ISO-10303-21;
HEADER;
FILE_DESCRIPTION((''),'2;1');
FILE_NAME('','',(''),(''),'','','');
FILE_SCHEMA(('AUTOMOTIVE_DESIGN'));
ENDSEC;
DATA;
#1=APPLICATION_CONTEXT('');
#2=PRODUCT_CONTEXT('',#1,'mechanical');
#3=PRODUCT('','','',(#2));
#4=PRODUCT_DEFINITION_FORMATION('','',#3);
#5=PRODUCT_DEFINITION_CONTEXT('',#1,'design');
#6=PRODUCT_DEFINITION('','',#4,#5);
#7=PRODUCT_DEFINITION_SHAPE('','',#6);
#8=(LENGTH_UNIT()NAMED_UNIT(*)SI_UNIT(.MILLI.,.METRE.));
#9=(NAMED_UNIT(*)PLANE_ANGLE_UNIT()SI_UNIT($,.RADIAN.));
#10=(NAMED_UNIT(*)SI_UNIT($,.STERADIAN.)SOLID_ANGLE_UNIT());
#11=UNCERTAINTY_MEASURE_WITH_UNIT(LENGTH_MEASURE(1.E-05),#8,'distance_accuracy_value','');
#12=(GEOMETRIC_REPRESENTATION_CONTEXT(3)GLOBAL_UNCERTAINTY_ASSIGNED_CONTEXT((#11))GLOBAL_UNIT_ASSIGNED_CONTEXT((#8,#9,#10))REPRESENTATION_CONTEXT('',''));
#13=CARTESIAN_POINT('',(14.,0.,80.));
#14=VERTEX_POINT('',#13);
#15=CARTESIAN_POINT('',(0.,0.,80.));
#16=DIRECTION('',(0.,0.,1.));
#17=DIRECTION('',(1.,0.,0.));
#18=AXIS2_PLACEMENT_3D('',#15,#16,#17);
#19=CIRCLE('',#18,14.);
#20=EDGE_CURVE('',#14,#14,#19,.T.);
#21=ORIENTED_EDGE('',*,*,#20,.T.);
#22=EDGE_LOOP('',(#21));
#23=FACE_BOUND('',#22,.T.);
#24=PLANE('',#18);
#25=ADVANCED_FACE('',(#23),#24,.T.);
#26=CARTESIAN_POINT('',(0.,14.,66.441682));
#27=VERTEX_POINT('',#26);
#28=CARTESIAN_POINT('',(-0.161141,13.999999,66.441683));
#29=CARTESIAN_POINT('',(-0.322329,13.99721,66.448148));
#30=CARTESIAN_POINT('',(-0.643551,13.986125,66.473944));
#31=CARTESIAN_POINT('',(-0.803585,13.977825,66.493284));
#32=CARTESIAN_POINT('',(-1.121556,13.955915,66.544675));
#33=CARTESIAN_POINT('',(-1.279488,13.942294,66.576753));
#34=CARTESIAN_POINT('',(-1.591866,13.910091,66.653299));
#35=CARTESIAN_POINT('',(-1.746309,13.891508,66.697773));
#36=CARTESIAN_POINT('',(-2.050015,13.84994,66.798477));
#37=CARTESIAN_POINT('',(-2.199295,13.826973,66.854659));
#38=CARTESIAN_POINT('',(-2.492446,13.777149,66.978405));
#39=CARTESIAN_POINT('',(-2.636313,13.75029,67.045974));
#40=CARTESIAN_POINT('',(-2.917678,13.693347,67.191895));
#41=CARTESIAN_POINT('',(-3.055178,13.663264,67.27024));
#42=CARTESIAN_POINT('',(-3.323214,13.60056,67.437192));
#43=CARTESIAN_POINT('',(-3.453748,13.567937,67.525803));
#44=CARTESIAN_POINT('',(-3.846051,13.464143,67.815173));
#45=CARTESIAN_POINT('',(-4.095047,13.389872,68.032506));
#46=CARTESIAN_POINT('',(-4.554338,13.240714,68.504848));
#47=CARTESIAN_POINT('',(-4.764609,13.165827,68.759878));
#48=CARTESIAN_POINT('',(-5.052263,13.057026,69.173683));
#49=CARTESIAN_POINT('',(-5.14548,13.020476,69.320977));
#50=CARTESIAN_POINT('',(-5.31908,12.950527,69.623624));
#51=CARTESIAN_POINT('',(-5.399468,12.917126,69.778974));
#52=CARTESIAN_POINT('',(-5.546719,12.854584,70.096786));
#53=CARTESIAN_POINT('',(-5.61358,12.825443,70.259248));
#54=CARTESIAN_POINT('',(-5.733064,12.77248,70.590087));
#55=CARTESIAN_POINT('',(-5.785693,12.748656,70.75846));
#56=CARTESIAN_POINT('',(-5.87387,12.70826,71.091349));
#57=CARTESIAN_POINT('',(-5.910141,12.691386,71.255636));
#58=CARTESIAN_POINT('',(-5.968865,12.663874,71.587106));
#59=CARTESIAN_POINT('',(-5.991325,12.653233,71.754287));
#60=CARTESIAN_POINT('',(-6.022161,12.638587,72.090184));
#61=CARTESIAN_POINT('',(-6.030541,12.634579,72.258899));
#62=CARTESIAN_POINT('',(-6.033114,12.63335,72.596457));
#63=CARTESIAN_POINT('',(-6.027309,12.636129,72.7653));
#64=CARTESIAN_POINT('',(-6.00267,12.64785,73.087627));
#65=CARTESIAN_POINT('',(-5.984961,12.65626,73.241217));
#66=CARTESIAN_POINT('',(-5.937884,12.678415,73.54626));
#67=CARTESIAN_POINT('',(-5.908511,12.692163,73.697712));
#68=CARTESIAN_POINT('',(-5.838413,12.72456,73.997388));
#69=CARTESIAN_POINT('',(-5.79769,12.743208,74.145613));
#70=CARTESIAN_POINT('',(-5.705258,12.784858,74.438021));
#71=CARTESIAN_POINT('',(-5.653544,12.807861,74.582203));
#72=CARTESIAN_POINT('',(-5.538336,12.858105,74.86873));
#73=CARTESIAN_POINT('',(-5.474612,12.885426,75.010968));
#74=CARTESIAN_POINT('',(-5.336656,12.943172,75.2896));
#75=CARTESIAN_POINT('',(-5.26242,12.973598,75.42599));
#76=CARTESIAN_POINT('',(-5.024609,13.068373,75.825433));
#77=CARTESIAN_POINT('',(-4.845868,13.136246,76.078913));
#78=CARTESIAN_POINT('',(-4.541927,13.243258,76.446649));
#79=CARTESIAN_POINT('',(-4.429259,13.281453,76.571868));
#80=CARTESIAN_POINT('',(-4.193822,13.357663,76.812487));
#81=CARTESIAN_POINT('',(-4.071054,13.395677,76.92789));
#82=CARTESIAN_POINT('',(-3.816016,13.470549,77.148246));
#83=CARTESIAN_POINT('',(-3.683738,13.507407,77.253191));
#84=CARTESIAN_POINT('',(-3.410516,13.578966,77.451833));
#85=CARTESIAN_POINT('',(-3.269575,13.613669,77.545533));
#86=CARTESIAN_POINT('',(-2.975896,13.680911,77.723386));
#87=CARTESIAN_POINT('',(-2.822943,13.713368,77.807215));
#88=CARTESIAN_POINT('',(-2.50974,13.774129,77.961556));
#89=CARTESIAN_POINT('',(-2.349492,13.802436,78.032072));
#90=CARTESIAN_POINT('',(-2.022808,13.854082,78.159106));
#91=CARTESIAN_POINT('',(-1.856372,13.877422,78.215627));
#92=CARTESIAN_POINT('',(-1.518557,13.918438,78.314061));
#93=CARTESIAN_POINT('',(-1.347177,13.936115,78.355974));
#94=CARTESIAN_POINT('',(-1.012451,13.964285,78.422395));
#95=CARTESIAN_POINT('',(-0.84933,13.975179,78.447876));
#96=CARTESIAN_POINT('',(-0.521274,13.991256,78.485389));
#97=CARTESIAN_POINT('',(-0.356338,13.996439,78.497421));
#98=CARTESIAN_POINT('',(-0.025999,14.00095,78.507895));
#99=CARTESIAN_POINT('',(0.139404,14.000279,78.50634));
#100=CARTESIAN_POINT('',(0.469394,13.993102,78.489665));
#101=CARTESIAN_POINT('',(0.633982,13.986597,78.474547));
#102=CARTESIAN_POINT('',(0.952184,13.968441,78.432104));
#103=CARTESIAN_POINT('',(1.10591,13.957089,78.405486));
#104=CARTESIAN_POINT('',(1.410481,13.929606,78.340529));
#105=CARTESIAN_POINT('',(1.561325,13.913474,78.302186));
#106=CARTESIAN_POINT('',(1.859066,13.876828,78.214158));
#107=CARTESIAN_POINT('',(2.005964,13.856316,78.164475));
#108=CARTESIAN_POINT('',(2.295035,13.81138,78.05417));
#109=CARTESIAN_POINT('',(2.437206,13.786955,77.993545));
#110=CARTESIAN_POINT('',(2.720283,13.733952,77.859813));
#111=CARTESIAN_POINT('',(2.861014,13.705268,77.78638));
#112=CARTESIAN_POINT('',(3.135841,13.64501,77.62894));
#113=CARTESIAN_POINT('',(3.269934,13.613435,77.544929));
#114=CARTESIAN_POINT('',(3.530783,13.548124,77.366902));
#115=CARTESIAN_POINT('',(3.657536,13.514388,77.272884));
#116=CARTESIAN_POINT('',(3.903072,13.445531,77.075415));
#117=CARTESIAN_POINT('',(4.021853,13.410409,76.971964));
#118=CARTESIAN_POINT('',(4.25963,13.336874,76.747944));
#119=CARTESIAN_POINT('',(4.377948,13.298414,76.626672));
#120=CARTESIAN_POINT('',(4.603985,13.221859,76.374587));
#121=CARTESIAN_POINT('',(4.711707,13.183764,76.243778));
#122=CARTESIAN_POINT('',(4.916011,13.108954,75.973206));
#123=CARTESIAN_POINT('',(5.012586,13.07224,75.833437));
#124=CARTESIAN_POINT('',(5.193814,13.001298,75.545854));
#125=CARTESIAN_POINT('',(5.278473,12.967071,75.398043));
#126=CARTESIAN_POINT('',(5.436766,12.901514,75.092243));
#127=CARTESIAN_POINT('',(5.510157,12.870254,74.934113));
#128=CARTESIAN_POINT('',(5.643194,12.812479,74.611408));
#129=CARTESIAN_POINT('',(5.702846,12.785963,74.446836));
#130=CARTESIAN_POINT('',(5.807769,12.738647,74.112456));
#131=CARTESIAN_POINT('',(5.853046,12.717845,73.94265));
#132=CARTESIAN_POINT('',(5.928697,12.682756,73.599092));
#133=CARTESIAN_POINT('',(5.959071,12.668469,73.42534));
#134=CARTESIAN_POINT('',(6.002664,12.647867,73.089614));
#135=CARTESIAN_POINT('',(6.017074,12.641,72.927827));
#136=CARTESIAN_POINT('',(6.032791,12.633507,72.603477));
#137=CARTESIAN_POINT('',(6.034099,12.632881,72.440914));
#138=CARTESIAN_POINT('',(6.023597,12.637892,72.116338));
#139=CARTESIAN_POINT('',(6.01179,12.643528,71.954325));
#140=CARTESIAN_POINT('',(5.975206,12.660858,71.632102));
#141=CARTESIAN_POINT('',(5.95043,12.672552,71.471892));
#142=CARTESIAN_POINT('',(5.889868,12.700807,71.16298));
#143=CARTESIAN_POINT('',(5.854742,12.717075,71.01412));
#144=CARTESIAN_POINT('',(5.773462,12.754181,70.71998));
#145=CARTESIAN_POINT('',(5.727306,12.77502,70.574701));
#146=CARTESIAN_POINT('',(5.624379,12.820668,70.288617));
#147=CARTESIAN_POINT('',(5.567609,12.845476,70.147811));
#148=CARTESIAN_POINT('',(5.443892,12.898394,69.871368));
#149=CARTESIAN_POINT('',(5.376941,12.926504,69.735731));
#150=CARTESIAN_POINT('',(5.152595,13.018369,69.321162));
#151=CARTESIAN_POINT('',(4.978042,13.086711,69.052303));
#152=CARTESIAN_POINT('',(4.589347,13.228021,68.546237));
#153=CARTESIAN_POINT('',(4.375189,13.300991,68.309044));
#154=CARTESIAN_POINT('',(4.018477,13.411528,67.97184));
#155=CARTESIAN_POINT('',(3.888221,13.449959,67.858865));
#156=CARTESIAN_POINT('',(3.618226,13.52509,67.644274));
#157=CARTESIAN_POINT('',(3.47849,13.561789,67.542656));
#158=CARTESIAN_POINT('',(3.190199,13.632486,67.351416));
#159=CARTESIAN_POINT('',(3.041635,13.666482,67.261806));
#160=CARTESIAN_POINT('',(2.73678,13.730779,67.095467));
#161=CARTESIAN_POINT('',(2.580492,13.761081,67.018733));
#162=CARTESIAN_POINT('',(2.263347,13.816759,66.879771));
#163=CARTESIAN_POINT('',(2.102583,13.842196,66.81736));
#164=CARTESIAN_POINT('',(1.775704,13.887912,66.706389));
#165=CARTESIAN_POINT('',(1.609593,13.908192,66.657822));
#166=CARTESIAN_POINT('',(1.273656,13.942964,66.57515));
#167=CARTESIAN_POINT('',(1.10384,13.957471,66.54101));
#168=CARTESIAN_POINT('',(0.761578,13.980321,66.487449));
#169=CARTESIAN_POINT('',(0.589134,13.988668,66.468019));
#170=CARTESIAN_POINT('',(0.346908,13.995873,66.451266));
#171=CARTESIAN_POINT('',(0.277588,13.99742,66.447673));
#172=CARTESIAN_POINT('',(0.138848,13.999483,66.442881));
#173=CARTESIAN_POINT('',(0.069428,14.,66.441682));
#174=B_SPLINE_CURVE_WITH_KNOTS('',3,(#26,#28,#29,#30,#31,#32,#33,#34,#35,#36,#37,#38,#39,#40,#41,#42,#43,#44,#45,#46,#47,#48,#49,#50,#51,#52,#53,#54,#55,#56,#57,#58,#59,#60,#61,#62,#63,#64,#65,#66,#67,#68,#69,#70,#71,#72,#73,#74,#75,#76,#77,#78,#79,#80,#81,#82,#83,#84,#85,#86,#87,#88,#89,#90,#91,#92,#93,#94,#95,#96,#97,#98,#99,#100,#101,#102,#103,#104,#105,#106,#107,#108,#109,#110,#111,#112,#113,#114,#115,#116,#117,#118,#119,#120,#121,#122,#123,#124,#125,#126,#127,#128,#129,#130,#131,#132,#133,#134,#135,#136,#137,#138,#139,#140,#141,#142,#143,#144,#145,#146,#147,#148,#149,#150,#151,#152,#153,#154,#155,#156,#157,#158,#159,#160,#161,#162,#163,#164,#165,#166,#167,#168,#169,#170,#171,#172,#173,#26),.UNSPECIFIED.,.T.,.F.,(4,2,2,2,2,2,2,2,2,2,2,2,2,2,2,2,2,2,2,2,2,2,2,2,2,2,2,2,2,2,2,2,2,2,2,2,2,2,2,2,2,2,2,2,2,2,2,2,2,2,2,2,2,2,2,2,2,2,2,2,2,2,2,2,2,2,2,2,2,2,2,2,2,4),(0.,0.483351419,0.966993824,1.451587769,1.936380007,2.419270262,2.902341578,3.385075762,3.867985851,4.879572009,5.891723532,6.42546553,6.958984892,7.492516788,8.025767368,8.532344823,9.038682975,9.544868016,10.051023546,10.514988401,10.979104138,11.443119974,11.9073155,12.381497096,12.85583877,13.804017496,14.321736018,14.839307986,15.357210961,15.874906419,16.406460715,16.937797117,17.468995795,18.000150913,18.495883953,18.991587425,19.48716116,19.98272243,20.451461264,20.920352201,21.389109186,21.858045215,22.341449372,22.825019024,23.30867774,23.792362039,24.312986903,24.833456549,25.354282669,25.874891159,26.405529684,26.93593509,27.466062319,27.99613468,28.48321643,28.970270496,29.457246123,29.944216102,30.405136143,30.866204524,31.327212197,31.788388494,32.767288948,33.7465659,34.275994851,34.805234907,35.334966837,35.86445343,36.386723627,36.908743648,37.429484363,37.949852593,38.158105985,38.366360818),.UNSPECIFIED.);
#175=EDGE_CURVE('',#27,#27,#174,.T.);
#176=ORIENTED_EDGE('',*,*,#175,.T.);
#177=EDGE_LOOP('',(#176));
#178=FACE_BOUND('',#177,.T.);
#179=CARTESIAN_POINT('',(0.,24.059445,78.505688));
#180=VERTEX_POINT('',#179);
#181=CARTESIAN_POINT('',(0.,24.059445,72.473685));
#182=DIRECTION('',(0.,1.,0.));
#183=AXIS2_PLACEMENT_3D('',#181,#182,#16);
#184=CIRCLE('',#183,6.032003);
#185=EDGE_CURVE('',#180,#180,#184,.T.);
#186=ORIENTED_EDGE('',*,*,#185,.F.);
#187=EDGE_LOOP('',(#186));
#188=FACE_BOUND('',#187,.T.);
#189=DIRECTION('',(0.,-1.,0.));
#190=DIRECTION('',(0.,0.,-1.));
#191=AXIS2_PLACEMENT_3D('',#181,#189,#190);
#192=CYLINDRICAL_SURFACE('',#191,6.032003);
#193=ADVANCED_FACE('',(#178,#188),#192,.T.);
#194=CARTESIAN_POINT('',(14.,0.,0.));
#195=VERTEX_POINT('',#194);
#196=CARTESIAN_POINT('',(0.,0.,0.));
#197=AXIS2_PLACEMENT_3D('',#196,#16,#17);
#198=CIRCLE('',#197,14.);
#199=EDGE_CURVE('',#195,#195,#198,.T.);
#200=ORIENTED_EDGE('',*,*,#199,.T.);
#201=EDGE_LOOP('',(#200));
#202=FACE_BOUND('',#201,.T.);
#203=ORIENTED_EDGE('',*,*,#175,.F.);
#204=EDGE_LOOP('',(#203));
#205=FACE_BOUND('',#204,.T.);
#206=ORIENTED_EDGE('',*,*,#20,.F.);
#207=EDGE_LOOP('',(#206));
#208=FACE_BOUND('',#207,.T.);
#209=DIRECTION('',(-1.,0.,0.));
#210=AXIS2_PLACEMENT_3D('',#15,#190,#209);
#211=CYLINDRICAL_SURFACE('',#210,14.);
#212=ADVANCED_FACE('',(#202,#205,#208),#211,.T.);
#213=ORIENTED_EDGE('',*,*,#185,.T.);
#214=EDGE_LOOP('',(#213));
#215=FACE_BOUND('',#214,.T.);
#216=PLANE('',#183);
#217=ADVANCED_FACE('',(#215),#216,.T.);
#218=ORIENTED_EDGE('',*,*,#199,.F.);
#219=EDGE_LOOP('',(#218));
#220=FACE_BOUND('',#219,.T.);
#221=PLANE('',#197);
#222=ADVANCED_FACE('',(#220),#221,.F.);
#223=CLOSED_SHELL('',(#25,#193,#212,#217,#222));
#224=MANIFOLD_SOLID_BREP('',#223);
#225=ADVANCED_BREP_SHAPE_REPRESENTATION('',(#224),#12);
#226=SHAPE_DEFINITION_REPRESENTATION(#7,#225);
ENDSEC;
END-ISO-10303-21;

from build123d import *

# Parameters (mm, degrees)
SKETCH1_R           = 14
BOSS_EXTRUDE1_DEPTH = 80
SKETCH2_R           = 6.032002872
BOSS_EXTRUDE2_DEPTH = 13


with BuildPart() as part:
    # Sketch1 → Boss-Extrude1 (new body)
    with BuildSketch(Plane.XY):
        Circle(SKETCH1_R)
    extrude(amount=BOSS_EXTRUDE1_DEPTH)

    # Sketch2 → Boss-Extrude2 (add)
    with BuildSketch(Plane(origin=(0, 11.059444843, 0), x_dir=(1, 0, 0), z_dir=(0, 1, 0))):
        with Locations((0, -72.473685118)):
            Circle(SKETCH2_R)
    extrude(amount=BOSS_EXTRUDE2_DEPTH)


solid = part.part
